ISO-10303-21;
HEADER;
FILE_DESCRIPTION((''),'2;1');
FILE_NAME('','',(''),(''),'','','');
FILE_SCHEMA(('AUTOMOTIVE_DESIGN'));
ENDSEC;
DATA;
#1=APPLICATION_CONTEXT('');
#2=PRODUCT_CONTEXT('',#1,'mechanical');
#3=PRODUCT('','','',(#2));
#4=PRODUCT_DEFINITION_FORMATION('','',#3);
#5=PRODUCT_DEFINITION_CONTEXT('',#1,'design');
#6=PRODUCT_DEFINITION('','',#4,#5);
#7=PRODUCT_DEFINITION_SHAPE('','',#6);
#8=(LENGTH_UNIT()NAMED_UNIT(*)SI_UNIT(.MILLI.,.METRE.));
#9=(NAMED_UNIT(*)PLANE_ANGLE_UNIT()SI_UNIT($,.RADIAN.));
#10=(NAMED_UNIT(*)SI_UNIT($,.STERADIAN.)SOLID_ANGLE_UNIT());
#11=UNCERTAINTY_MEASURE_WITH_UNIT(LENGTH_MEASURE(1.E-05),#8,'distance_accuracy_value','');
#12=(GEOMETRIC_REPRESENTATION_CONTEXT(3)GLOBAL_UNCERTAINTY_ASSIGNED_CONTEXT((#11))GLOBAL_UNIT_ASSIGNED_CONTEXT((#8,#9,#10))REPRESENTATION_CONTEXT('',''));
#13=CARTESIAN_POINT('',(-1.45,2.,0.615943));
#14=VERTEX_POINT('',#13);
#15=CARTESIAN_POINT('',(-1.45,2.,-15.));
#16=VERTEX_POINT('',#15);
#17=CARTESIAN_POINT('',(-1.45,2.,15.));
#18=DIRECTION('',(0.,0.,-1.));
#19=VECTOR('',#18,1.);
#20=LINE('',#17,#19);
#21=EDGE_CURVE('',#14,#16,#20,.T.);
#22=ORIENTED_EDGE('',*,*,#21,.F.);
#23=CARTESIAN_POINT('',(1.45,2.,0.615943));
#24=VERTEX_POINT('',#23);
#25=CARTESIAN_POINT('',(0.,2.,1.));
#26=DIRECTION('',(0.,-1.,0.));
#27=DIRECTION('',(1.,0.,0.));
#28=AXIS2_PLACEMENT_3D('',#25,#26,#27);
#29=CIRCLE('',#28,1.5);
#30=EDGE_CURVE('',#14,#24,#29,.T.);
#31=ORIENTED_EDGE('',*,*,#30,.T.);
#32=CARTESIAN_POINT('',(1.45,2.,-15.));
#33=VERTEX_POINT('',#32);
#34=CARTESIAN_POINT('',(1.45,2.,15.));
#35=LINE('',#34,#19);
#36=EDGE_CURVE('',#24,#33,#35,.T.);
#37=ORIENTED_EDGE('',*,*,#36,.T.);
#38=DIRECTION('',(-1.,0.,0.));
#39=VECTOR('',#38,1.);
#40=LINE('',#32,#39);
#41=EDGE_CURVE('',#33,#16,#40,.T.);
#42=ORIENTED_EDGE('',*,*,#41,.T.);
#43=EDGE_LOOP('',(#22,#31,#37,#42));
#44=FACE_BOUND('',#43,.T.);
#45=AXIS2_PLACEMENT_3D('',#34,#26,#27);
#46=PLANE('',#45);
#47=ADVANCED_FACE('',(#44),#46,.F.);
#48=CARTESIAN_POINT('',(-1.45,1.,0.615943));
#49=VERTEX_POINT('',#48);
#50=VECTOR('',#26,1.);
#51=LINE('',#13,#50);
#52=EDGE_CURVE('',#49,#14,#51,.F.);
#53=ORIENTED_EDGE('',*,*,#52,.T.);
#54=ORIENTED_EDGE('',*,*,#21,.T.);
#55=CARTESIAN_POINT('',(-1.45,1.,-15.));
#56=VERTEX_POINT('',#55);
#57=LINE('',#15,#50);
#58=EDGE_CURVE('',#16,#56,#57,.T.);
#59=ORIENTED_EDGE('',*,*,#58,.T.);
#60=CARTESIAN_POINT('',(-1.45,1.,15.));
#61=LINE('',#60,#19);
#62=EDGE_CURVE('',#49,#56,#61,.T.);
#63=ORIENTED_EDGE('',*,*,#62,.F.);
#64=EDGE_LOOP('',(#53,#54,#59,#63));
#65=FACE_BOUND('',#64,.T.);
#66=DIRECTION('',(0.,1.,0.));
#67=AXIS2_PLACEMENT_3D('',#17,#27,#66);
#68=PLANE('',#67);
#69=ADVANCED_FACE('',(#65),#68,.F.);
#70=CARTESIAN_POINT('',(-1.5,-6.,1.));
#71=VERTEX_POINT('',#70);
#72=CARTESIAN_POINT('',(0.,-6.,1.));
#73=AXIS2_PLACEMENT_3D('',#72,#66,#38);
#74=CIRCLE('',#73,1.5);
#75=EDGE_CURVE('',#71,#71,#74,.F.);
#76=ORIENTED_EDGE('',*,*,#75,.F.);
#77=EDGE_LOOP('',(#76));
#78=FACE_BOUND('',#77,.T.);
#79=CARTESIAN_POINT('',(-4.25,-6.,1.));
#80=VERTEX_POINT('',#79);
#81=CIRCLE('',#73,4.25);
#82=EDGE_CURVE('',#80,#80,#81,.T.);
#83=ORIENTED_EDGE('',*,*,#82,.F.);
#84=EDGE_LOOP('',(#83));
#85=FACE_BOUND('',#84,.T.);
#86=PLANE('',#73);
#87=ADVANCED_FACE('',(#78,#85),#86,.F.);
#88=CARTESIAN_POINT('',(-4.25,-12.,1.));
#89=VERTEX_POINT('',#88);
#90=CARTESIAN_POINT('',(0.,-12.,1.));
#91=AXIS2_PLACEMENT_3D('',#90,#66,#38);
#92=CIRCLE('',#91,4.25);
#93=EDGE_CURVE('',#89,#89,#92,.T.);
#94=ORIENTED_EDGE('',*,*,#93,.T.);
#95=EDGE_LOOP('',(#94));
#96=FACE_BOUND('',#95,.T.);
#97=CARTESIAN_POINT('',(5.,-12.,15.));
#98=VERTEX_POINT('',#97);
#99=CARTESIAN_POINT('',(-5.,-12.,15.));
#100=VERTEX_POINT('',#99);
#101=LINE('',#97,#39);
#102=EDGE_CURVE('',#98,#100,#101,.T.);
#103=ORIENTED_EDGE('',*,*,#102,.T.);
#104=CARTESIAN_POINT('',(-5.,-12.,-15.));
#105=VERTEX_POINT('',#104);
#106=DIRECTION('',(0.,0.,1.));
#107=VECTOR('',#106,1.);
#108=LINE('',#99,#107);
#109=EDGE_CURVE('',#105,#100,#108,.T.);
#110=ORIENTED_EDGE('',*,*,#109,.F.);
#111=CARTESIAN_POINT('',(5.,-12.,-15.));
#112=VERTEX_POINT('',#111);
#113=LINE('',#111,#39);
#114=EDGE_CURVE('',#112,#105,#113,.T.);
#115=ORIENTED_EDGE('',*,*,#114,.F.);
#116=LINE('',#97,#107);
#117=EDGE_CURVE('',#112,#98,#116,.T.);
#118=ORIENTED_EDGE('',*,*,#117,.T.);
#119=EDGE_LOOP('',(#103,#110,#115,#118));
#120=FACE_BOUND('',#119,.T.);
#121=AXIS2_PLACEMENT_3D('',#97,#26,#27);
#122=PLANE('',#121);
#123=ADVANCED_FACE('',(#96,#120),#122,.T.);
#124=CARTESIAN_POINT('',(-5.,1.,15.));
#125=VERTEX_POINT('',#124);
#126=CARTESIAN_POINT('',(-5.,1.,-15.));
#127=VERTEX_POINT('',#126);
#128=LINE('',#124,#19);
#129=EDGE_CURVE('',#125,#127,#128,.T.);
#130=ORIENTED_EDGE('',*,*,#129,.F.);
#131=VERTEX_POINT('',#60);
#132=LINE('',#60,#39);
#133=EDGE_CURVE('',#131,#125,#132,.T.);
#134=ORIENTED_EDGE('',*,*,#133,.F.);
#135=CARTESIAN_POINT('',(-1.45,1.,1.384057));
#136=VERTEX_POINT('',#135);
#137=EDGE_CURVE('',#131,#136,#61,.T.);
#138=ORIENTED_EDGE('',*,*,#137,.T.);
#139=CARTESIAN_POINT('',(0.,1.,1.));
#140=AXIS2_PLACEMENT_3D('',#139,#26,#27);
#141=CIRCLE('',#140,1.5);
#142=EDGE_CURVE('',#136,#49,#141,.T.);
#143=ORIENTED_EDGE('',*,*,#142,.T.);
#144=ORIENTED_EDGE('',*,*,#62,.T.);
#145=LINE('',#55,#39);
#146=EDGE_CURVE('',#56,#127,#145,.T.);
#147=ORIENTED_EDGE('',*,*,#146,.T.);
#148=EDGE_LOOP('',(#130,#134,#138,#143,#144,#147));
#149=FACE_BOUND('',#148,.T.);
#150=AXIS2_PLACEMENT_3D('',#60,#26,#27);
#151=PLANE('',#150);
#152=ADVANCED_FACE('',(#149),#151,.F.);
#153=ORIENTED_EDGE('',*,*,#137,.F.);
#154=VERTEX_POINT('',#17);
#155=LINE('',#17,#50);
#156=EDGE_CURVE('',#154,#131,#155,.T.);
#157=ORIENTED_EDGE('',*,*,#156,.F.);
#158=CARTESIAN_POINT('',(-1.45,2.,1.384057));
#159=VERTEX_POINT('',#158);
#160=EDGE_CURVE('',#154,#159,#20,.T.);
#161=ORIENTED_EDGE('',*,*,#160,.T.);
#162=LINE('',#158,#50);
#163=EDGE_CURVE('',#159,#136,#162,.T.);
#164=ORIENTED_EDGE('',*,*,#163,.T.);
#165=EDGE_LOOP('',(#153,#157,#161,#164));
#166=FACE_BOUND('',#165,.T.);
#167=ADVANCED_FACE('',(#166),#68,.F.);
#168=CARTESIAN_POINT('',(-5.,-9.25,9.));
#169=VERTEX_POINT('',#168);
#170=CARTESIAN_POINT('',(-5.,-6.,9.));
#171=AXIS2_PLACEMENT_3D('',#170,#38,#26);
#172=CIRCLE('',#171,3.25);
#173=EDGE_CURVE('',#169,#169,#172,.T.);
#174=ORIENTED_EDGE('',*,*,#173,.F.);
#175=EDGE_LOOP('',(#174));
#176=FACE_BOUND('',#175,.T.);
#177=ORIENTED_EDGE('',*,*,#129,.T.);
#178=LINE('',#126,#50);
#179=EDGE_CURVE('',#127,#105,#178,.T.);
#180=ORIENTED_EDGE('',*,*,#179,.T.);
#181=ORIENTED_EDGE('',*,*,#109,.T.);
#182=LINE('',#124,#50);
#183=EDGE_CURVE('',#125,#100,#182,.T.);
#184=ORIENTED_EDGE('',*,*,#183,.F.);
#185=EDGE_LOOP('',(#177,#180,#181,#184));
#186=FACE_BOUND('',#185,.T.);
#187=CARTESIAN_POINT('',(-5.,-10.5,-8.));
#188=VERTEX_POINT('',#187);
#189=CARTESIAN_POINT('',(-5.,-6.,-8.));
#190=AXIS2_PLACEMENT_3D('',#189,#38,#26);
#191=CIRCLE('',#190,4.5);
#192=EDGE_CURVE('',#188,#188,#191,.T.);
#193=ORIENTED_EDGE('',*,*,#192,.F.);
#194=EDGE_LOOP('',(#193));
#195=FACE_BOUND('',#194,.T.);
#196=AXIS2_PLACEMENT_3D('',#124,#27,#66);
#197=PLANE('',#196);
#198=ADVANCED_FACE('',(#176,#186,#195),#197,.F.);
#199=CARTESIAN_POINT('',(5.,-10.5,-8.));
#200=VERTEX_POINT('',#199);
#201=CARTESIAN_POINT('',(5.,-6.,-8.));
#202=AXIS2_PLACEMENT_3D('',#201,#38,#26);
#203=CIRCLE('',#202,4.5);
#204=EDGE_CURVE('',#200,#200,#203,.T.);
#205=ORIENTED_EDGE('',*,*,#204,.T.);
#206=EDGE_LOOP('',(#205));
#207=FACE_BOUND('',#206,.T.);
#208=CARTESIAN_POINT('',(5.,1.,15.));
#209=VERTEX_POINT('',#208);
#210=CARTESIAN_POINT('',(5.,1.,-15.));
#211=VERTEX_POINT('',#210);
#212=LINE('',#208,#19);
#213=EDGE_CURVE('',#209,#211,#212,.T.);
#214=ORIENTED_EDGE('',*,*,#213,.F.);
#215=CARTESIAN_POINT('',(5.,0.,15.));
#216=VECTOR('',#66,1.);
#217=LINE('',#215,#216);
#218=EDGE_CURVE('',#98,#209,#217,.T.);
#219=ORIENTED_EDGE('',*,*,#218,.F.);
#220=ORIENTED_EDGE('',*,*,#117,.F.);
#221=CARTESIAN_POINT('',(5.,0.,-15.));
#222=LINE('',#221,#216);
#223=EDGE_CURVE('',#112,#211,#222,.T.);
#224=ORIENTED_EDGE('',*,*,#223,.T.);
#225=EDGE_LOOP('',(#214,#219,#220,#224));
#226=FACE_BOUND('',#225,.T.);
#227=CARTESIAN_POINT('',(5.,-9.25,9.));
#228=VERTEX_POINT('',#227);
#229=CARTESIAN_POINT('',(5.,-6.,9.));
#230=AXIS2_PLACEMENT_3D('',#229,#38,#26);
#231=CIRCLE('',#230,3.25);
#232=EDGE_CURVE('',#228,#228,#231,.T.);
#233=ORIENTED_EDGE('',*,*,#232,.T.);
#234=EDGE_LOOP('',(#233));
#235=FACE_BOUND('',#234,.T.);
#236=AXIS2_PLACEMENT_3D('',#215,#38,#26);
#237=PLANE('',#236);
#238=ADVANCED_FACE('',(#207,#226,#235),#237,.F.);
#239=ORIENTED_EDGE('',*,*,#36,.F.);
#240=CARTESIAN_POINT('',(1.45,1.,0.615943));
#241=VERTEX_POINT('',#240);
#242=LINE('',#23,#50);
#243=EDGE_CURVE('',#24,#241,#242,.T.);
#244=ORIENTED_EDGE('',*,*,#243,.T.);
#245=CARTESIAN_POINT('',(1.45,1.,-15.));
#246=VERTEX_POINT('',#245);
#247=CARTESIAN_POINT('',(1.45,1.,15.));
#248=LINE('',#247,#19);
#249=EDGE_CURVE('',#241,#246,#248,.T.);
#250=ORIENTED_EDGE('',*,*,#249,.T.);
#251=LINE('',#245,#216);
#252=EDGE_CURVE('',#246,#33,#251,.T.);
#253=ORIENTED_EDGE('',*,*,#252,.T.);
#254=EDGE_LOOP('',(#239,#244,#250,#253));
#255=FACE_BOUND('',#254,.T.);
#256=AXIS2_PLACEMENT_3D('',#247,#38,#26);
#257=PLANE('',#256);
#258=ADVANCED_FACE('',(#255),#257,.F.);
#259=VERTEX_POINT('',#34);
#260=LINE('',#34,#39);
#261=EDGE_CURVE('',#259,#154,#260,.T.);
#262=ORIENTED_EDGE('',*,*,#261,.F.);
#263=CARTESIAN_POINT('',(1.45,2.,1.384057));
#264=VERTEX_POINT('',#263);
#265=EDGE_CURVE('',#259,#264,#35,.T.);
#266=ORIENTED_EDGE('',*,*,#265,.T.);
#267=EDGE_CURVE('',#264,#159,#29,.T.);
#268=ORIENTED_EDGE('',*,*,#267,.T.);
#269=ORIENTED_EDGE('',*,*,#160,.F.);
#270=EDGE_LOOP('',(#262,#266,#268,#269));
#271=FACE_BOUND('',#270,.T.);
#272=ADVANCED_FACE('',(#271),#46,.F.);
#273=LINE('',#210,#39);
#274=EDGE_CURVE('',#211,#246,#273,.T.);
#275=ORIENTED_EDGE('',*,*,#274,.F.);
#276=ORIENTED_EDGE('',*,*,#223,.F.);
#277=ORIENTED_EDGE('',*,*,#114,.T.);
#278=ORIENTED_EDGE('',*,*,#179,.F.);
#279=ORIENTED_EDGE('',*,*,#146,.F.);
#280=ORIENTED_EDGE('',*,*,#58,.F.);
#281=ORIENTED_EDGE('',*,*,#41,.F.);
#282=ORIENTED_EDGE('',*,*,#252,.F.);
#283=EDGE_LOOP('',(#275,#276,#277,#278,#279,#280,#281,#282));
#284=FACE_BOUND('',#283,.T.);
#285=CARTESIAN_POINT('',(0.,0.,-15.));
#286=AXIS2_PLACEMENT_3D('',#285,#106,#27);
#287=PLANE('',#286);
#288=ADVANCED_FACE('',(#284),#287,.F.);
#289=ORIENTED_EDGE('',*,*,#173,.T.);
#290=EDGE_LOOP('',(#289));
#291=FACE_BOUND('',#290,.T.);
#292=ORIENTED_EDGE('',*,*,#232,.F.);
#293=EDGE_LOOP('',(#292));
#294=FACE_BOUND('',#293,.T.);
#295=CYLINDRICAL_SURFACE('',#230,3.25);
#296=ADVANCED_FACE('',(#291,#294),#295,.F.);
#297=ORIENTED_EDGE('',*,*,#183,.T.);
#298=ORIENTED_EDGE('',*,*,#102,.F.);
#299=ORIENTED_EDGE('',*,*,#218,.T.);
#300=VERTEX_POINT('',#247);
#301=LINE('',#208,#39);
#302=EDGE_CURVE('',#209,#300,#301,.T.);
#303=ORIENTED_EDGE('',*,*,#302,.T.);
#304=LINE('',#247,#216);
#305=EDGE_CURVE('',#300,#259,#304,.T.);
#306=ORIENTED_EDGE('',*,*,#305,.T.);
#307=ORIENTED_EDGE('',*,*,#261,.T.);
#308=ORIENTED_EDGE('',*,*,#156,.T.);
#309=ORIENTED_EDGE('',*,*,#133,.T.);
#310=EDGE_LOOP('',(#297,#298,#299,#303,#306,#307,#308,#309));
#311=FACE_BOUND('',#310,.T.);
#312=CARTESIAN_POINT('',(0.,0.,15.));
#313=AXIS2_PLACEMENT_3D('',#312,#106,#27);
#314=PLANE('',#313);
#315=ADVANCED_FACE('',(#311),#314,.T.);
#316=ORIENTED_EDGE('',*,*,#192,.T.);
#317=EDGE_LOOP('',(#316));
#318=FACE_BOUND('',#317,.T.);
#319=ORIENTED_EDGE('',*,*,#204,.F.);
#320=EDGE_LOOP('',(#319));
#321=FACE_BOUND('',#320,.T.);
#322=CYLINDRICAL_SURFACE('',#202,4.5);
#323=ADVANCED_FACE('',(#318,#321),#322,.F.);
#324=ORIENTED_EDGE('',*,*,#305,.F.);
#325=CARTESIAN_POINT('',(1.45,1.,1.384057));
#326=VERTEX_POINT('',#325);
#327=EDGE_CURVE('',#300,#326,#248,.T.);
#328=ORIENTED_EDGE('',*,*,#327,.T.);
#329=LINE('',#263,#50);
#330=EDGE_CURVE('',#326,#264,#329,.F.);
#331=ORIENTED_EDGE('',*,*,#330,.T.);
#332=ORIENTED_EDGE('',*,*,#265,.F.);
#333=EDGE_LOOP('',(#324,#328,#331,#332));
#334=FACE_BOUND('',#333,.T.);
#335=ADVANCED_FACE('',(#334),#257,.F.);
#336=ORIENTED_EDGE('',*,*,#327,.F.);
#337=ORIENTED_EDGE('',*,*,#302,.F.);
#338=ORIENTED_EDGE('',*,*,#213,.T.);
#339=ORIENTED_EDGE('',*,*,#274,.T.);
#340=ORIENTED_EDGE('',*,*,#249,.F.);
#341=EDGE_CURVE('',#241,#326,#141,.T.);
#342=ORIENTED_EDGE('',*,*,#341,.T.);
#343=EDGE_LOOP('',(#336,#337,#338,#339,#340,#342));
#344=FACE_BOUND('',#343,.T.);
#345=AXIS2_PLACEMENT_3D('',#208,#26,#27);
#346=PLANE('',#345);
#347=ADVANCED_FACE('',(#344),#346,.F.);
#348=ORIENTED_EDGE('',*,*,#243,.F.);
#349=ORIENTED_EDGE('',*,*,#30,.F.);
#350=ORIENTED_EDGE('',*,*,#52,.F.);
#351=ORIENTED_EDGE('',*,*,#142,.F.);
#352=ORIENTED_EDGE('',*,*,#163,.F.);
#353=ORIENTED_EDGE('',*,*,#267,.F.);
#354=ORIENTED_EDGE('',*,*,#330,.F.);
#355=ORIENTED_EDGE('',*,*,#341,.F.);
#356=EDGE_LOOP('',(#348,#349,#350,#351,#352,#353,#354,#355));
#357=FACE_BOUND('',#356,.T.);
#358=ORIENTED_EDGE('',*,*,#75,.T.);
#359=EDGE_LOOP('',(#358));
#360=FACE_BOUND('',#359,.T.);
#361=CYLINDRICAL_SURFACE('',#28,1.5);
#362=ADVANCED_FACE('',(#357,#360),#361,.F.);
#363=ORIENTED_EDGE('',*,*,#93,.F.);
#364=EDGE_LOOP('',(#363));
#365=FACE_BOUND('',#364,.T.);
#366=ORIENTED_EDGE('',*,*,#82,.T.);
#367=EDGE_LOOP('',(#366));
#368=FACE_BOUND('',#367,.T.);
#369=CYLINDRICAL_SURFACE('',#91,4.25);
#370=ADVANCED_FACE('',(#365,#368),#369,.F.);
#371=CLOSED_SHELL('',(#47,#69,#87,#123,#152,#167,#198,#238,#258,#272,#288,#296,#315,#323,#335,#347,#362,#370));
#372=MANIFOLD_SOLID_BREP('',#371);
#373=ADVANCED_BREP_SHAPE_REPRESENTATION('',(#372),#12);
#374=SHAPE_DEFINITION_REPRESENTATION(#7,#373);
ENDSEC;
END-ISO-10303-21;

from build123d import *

# Parameters (mm, degrees)
MAKERBEAMFIX_DEPTH              = 15
SKETCH3_W                       = 30
SKETCH3_H                       = 12
SKETCH3_R                       = 3.25
SKETCH3_R_2                     = 4.5
DRILLKEYANDSMALLHEXDRIVER_DEPTH = 10
SKETCH4_R                       = 1.5
FIXINGHOLE_DEPTH                = 15
SKETCH5_R                       = 4.25
DRIVERHOLE_DEPTH                = 7


with BuildPart() as part:
    # Sketch1 → MakerBeamFix (new body, symmetric)
    with BuildSketch(Plane.XY):
        Polygon((-5, 0), (5, 0), (5, 1), (1.45, 1), (1.45, 2), (-1.45, 2), (-1.45, 1), (-5, 1), align=None)
    extrude(amount=MAKERBEAMFIX_DEPTH, both=True)

    # Sketch3 → DrillKeyAndSmallHexDriver (add)
    with BuildSketch(Plane.ZY.offset(5)):
        with Locations((0, -6)):
            Rectangle(SKETCH3_W, SKETCH3_H)
        with Locations((9, -6)):
            Circle(SKETCH3_R, mode=Mode.SUBTRACT)
        with Locations((-8, -6)):
            Circle(SKETCH3_R_2, mode=Mode.SUBTRACT)
    extrude(amount=-DRILLKEYANDSMALLHEXDRIVER_DEPTH)

    # Sketch4 → FixingHole (cut, through all)
    with BuildSketch(Plane.XZ.offset(12)):
        with Locations((0, 1)):
            Circle(SKETCH4_R)
    extrude(amount=-FIXINGHOLE_DEPTH, mode=Mode.SUBTRACT)

    # Sketch5 → DriverHole (cut, through all)
    with BuildSketch(Plane(origin=(0, -6, 0), x_dir=(1, 0, 0), z_dir=(0, 1, 0))):
        with Locations((0, -1)):
            Circle(SKETCH5_R)
    extrude(amount=-DRIVERHOLE_DEPTH, mode=Mode.SUBTRACT)


solid = part.part
